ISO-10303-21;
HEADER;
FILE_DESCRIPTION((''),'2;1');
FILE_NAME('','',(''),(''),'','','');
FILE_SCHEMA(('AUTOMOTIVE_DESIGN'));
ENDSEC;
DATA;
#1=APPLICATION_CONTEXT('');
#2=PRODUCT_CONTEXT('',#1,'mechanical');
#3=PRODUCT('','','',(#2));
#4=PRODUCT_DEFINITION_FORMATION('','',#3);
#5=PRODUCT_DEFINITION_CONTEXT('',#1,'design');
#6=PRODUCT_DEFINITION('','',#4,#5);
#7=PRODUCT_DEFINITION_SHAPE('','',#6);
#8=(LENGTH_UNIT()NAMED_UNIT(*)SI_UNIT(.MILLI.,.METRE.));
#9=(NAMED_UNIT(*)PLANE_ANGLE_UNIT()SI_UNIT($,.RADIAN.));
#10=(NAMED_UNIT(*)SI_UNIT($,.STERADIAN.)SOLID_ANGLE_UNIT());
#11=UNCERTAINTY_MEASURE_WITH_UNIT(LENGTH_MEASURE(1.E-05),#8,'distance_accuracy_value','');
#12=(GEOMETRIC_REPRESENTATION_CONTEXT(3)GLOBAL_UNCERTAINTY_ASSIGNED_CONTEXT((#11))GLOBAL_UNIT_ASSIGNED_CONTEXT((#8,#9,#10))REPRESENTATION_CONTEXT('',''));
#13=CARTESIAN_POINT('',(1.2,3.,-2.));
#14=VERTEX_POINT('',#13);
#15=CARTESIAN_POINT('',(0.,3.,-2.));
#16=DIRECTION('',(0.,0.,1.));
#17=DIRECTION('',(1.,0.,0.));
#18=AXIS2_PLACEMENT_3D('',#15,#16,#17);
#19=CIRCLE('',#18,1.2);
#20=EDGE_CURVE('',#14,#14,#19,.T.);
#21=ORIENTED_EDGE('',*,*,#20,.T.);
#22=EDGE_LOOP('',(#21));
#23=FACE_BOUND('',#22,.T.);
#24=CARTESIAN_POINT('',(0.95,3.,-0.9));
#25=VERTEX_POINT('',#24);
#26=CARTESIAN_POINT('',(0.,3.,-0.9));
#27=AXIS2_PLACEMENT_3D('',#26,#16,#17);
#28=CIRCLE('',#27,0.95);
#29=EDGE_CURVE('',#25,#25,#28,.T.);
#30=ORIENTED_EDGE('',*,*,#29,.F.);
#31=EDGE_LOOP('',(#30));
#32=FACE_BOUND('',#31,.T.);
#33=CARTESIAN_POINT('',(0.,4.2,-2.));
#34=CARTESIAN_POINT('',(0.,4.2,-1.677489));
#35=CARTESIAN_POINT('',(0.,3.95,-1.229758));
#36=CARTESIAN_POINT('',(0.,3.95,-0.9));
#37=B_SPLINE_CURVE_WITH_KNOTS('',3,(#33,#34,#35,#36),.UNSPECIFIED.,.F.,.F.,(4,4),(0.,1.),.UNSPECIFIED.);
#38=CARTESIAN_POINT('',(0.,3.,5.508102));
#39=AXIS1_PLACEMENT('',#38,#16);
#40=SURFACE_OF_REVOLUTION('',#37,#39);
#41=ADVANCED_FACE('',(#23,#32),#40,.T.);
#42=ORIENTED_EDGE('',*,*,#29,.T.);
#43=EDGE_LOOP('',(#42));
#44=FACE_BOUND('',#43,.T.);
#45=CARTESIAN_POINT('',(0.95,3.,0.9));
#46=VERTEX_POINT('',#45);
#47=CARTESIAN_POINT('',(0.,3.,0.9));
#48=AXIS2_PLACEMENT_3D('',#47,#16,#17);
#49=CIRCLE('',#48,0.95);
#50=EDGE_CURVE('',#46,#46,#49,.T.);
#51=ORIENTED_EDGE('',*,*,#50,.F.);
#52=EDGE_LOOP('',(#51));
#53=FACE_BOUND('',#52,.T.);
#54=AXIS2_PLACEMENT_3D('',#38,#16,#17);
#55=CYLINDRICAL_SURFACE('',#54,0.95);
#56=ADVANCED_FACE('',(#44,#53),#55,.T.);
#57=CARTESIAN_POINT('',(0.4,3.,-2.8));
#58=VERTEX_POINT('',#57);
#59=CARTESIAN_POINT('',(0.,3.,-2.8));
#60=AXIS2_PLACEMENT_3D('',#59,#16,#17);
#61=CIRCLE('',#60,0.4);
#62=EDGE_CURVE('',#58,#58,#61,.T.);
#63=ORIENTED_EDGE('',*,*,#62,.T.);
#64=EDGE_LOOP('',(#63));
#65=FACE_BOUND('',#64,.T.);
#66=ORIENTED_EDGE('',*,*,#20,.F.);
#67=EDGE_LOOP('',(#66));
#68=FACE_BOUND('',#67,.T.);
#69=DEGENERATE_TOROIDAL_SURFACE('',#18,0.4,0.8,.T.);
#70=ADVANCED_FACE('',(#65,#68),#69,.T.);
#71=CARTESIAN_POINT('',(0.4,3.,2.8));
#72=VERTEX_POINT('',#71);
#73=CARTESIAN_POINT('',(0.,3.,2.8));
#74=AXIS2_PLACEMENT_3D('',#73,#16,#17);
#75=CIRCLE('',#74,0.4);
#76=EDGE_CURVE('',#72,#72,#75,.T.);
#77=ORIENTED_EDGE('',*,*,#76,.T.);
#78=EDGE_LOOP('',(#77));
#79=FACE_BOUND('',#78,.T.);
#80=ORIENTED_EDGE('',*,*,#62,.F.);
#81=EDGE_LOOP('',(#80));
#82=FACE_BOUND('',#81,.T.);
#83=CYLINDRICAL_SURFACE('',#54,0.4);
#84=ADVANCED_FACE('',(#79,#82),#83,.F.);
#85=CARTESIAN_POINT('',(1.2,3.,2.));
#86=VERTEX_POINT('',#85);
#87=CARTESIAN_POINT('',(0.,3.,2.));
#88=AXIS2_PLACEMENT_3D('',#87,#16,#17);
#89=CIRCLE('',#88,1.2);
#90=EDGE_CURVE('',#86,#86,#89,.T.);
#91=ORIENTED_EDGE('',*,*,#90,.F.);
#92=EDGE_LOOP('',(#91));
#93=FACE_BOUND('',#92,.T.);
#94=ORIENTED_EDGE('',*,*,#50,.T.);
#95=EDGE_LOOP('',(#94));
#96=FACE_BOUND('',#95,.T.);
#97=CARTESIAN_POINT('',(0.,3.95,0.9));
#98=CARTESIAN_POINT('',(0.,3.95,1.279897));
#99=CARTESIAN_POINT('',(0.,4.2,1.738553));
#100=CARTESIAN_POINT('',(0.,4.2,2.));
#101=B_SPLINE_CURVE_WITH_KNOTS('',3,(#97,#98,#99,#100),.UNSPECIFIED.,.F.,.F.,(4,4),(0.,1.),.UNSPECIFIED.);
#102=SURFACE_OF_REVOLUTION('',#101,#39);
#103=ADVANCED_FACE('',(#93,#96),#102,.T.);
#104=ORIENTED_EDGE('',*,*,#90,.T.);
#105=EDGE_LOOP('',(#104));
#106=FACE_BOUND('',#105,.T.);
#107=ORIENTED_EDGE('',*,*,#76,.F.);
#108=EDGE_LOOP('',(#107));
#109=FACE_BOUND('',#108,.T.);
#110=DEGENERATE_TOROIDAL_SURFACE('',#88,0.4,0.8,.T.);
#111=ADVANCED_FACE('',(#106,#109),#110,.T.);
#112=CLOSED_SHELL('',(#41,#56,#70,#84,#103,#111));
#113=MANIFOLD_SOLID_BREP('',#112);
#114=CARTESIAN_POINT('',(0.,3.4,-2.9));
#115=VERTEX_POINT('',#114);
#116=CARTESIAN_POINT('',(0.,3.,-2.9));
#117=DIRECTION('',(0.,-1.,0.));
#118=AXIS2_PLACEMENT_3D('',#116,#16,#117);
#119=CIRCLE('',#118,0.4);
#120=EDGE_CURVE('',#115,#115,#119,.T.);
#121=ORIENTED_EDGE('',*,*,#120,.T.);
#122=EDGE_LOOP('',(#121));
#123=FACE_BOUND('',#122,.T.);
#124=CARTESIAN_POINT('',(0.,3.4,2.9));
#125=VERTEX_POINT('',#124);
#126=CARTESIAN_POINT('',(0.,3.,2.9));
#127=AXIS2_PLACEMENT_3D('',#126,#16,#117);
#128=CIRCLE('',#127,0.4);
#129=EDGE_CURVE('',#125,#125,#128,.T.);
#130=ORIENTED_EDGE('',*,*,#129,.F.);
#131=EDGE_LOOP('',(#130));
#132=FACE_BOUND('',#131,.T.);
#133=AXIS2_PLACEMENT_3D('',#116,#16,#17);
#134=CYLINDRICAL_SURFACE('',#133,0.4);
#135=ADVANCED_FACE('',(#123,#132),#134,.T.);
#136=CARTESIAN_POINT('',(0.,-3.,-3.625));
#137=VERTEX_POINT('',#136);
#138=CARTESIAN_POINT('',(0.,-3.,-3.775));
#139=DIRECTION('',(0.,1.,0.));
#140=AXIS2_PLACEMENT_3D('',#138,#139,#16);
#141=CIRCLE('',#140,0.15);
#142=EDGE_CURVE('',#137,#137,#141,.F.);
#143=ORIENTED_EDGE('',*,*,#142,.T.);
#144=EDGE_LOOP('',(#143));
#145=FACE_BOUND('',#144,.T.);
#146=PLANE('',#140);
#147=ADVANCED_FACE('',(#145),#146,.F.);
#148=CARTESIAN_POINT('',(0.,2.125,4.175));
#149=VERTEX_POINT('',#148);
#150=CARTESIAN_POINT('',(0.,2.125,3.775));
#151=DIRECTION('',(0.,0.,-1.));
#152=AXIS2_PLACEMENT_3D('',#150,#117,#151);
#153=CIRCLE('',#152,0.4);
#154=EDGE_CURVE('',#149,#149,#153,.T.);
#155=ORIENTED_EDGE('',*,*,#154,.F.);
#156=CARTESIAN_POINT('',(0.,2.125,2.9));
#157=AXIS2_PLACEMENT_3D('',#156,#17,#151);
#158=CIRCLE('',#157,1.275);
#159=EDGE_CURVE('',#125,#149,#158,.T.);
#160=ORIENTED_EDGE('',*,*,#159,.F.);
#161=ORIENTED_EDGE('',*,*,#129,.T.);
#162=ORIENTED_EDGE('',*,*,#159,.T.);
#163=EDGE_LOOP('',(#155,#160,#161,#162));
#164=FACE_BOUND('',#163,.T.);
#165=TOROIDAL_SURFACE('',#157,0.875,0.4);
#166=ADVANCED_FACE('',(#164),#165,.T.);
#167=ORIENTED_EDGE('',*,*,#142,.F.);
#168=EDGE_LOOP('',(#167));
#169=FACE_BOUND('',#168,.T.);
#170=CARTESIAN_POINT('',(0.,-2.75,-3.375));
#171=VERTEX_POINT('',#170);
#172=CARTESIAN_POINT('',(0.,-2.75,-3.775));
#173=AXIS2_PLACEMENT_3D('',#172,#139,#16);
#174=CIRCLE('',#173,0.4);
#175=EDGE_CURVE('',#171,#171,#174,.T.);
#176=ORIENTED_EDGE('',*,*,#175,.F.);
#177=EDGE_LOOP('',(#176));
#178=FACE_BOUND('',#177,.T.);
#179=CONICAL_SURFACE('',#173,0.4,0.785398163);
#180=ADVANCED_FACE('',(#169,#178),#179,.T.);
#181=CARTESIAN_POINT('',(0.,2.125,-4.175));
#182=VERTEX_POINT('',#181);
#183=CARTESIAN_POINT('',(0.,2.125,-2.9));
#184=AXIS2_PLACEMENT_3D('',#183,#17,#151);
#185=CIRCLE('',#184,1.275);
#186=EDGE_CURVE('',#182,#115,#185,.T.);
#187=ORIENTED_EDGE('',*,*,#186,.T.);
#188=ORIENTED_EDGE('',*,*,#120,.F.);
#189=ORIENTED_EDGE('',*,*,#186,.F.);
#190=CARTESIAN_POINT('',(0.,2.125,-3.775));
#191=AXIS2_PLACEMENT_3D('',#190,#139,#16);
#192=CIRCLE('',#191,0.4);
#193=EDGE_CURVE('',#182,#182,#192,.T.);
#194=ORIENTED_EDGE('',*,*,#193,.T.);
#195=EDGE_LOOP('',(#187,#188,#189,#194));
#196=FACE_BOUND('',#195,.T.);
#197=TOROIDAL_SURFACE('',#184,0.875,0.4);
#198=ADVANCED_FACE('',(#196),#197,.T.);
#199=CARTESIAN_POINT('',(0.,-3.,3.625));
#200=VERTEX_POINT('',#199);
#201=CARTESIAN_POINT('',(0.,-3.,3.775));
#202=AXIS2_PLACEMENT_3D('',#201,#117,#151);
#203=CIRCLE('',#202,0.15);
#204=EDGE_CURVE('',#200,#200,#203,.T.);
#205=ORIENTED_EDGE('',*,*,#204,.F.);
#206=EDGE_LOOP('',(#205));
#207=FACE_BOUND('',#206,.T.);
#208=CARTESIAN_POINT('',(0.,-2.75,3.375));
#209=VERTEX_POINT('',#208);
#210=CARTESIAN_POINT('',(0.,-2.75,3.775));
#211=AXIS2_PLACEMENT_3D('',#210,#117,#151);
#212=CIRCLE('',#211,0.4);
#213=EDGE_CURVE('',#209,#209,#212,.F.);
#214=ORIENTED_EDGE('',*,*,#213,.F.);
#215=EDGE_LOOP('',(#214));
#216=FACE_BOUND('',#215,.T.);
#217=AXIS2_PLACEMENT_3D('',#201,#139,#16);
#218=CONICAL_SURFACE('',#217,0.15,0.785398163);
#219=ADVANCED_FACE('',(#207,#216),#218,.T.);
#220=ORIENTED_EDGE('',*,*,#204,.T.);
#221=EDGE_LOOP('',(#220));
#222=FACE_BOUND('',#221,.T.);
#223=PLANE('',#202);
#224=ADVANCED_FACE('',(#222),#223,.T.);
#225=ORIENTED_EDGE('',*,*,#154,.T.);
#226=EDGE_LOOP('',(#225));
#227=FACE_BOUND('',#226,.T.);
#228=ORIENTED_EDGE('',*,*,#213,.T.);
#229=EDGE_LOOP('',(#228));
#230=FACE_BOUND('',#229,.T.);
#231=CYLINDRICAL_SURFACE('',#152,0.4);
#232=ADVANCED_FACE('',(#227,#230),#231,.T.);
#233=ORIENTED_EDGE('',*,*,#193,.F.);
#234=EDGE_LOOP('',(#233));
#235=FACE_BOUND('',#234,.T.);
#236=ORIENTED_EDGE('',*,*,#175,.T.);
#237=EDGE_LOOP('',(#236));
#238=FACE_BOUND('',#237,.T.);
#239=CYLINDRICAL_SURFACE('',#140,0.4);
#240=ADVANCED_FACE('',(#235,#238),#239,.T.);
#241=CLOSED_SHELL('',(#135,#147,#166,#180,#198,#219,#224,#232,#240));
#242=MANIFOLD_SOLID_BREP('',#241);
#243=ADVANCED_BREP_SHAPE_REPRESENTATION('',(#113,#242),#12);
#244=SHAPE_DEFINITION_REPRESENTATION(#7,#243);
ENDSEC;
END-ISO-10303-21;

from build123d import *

# Parameters (mm, degrees)
SKETCH2_R     = 0.4
CHAMFER1_SIZE = 0.25


with BuildPart() as part:
    # Sweep1: sweep along a path in Sketch1
    with BuildLine(Plane(origin=(0, 0, 0), x_dir=(0, 0, -1), z_dir=(1, 0, 0))) as sweep1_path:
        Line((-3.775, -3), (-3.775, 2.125))
        ThreePointArc((-3.775, 2.125), (-3.518718434, 2.743718434), (-2.9, 3))
        Line((-2.9, 3), (2.9, 3))
        ThreePointArc((2.9, 3), (3.518718434, 2.743718434), (3.775, 2.125))
        Line((3.775, 2.125), (3.775, -3))
    # Sketch2 → Sweep1 (sweep)
    with BuildSketch(Plane(origin=(0, -3, 3.775), x_dir=(-1, 0, 0), z_dir=(0, -1, 0))):
        Circle(SKETCH2_R)
    sweep(path=sweep1_path.line)

    # Chamfer1
    chamfer1_edges = [part.edges().sort_by_distance(p)[0] for p in [
        (0.4, -3, 3.775),
        (0.4, -3, -3.775),
    ]]
    chamfer(chamfer1_edges, length=CHAMFER1_SIZE)


with BuildPart() as body_2:
    # Sketch4 → Revolve1 (revolve)
    with BuildSketch(Plane(origin=(0, 0, 0), x_dir=(0, 0, -1), z_dir=(1, 0, 0)), mode=Mode.PRIVATE) as revolve1_sk:
        with BuildLine():
            Line((2.8, 3.4), (-2.8, 3.4))
            ThreePointArc((-2.8, 3.4), (-2.565685425, 3.965685425), (-2, 4.2))
            add(Edge.make_bspline(
                [(-2, 4.2), (-1.738553238, 4.2), (-1.279897429, 3.95), (-0.9, 3.95)],
                knots=[0, 0, 0, 0, 1, 1, 1, 1], degree=3))
            Line((-0.9, 3.95), (0.9, 3.95))
            add(Edge.make_bspline(
                [(0.9, 3.95), (1.229757601, 3.95), (1.677489286, 4.2), (2, 4.2)],
                knots=[0, 0, 0, 0, 1, 1, 1, 1], degree=3))
            ThreePointArc((2, 4.2), (2.565685425, 3.965685425), (2.8, 3.4))
        make_face()
    revolve(revolve1_sk.sketch.rotate(Axis((0, 3, 5.508101646), (0, 0, -1)), 90), axis=Axis((0, 3, 5.508101646), (0, 0, -1)))


solid = Compound([part.part, body_2.part])
